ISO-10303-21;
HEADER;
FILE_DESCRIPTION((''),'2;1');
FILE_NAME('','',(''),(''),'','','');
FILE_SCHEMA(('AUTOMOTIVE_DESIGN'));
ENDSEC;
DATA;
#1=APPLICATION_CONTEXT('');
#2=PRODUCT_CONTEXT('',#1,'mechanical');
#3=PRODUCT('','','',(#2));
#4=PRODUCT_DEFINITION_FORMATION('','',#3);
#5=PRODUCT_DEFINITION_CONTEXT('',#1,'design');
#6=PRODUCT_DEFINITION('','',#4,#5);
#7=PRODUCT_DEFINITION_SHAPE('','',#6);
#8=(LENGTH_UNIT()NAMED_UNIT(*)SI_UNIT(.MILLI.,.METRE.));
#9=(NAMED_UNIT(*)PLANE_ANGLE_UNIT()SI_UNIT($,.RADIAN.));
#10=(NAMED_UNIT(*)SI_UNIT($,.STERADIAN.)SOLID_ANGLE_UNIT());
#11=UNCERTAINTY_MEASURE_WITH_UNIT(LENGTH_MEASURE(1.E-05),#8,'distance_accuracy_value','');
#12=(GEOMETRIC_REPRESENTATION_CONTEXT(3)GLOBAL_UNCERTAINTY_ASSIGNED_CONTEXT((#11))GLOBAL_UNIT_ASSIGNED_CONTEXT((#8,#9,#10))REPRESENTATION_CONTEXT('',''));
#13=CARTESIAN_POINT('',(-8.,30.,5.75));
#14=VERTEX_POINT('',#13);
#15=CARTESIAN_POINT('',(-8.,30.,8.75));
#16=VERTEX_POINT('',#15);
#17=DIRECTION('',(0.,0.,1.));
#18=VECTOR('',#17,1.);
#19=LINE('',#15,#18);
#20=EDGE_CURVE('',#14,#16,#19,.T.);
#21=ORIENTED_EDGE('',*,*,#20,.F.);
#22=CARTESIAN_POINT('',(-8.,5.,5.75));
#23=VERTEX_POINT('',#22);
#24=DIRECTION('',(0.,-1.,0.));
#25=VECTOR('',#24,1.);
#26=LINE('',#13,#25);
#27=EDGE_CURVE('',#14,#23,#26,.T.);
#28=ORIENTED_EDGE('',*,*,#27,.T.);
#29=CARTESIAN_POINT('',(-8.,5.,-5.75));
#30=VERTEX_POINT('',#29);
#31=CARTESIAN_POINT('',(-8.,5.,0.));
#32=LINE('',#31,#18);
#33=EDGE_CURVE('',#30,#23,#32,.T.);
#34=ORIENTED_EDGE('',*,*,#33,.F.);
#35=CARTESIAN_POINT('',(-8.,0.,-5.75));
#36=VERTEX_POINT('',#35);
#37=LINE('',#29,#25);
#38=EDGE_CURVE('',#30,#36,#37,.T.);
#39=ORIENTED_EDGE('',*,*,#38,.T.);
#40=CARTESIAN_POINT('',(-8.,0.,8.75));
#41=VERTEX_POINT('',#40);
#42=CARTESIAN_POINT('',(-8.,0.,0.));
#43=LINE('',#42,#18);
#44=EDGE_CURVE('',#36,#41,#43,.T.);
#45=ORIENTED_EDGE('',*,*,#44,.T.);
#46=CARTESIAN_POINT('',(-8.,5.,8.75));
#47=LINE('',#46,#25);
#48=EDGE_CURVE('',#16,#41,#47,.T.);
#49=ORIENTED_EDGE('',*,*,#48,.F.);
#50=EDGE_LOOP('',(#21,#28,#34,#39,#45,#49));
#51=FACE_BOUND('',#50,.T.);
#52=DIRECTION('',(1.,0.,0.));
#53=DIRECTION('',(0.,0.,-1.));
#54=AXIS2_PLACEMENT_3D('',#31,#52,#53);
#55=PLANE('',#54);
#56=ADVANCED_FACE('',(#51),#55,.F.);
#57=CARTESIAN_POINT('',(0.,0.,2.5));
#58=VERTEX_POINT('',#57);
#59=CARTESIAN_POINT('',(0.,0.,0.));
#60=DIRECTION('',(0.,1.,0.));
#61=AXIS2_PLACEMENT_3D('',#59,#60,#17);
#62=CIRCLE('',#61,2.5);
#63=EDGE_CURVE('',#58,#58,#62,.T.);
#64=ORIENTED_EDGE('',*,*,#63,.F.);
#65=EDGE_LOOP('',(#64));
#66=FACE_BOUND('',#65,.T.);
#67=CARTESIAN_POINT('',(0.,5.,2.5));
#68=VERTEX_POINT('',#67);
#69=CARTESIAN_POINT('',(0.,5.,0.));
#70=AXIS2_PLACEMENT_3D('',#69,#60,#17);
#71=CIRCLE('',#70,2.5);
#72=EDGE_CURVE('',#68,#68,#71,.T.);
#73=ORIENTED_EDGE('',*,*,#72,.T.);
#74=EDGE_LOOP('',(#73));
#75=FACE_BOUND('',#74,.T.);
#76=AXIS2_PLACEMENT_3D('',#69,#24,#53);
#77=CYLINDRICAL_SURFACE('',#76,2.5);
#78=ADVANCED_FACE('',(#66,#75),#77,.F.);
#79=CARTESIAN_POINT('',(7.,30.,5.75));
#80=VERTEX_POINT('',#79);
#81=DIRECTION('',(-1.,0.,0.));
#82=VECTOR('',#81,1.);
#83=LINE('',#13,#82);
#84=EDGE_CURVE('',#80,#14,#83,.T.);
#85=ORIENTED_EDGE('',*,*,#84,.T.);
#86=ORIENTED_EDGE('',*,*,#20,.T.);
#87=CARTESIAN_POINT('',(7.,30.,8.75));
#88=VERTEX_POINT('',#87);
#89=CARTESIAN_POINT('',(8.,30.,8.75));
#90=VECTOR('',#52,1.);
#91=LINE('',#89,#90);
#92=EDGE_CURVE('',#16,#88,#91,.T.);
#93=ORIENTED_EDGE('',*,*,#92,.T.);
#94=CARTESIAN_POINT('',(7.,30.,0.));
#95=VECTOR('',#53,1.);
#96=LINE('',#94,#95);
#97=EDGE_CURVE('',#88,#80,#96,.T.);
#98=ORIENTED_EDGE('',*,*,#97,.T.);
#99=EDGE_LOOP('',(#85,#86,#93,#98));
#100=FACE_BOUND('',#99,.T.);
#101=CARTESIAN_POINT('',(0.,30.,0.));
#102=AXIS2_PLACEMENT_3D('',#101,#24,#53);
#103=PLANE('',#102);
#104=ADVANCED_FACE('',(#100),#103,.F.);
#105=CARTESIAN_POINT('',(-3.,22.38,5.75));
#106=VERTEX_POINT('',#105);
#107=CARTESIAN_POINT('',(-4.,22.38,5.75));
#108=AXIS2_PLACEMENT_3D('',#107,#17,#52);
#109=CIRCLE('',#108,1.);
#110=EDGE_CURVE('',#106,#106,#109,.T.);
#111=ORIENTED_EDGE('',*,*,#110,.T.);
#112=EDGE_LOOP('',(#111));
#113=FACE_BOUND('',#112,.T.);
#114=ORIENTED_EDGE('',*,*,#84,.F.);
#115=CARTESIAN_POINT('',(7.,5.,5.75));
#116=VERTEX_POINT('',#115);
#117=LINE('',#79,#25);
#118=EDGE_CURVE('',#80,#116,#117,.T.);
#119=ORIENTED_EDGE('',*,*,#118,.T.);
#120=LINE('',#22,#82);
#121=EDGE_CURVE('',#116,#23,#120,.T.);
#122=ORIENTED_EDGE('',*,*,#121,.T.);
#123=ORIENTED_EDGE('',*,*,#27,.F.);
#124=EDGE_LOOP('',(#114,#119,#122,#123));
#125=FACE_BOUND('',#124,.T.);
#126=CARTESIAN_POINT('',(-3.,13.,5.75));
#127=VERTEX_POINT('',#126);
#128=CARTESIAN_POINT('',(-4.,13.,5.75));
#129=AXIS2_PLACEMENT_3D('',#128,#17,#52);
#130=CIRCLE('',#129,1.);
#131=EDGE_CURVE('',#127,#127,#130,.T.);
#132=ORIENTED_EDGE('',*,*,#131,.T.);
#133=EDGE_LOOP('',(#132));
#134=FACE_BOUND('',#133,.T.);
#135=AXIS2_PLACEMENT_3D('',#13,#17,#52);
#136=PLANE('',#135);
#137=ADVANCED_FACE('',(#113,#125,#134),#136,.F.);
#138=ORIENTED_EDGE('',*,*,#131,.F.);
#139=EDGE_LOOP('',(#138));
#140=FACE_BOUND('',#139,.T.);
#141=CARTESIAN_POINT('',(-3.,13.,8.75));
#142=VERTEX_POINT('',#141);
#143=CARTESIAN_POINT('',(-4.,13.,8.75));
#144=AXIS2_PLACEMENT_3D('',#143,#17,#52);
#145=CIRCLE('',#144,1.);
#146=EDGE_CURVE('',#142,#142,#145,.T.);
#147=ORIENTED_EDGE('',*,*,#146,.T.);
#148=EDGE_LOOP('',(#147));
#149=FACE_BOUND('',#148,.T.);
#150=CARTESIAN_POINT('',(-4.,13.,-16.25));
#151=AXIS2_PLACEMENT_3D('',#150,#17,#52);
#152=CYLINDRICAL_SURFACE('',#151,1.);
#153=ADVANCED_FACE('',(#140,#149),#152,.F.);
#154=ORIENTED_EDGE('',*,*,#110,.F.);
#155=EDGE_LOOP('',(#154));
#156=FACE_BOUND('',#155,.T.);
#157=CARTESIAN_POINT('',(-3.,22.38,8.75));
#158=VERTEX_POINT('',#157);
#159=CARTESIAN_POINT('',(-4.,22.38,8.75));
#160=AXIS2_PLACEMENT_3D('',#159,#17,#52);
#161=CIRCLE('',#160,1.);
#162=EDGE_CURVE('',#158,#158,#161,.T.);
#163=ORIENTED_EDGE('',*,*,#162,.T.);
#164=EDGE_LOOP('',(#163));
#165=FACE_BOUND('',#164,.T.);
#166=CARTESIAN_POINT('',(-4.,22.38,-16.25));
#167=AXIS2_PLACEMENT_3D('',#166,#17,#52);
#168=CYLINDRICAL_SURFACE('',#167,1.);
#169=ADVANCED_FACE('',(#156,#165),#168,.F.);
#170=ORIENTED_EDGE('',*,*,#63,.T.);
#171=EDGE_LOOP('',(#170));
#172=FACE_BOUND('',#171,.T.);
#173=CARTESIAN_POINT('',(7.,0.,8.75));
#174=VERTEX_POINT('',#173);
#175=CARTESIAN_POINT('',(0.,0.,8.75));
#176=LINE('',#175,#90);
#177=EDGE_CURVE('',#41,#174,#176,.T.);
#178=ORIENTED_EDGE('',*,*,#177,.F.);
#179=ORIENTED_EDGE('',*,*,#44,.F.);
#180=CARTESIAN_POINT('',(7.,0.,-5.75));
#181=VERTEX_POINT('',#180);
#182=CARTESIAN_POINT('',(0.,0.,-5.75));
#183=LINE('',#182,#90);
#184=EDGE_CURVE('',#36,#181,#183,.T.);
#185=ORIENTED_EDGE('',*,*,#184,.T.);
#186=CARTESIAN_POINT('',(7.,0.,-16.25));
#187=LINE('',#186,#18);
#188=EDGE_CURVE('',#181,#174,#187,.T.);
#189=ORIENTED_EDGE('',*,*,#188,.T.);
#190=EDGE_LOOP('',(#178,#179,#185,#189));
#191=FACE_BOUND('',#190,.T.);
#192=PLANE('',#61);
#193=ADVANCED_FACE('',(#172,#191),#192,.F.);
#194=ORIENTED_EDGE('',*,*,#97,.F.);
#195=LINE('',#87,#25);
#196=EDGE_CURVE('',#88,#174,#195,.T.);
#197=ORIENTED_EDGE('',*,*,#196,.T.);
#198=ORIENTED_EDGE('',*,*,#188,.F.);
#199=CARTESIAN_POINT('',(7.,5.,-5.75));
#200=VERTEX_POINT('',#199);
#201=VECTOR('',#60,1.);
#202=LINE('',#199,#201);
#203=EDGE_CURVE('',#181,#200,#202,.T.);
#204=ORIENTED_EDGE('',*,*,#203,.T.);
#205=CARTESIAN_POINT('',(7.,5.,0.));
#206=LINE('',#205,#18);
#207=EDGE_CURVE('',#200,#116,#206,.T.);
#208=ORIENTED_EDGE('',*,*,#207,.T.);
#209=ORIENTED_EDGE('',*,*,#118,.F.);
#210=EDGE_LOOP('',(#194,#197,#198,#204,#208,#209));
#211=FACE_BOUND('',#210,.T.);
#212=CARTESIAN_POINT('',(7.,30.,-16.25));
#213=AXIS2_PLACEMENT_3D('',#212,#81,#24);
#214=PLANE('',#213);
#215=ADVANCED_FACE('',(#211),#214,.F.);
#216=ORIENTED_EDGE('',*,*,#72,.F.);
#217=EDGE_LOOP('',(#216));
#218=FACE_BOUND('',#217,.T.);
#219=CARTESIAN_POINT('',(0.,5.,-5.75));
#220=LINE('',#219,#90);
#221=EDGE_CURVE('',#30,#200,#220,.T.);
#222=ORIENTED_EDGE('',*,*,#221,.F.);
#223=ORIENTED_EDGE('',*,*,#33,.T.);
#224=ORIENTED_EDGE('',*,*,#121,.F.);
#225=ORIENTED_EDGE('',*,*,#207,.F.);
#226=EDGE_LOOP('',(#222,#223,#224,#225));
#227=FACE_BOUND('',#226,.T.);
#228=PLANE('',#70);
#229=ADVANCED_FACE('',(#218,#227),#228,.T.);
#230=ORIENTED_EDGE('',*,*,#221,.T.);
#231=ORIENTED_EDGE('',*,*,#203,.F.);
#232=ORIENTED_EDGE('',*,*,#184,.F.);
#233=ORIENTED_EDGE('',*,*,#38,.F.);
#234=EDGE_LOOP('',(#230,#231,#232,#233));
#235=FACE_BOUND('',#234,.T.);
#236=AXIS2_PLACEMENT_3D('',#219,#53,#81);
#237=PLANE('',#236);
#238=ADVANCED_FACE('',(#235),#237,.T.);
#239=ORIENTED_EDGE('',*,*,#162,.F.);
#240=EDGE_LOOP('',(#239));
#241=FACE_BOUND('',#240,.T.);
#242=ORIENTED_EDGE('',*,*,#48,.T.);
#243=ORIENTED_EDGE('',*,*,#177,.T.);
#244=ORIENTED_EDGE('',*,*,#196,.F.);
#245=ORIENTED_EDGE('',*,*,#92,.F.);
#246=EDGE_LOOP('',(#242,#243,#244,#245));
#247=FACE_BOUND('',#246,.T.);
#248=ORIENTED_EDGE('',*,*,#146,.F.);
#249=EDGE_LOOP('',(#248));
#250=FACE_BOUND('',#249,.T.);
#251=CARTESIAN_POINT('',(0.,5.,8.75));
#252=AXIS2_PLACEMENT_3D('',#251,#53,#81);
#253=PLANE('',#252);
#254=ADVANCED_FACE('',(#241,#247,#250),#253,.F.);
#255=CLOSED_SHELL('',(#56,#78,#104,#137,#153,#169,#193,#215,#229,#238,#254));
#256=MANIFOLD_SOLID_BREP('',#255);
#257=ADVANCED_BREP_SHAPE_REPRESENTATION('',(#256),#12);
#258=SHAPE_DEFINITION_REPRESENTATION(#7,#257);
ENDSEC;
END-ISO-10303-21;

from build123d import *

# Parameters (mm, degrees)
CROQUIS1_W              = 16
CROQUIS1_H              = 11.5
CROQUIS1_R              = 2.5
CROQUIS1_H_2            = 3
SALIENTE_EXTRUIR1_DEPTH = 5
CROQUIS4_W              = 16
CROQUIS4_H              = 3
SALIENTE_EXTRUIR3_DEPTH = 25
CROQUIS6_R              = 1
CORTAR_EXTRUIR1_DEPTH   = 25
CROQUIS7_W              = 1
CROQUIS7_H              = 30
CORTAR_EXTRUIR2_DEPTH   = 25


with BuildPart() as part:
    # Croquis1 → Saliente-Extruir1 (new body)
    # profile 1 of 2: a face of its own
    with BuildSketch(Plane(origin=(0, 0, 0), x_dir=(1, 0, 0), z_dir=(0, 1, 0))):
        Rectangle(CROQUIS1_W, CROQUIS1_H)
        with Locations(Location((0, 0, 0), (0, 0, 270))):
            Circle(CROQUIS1_R, mode=Mode.SUBTRACT)
    # profile 2 of 2: a face of its own
    with BuildSketch(Plane(origin=(0, 0, 0), x_dir=(1, 0, 0), z_dir=(0, 1, 0))):
        with Locations((0, -7.25)):
            Rectangle(CROQUIS1_W, CROQUIS1_H_2)
    extrude(amount=SALIENTE_EXTRUIR1_DEPTH)

    # Croquis4 → Saliente-Extruir3 (add)
    with BuildSketch(Plane(origin=(0, 5, 0), x_dir=(1, 0, 0), z_dir=(0, 1, 0))):
        with Locations((0, -7.25)):
            Rectangle(CROQUIS4_W, CROQUIS4_H)
    extrude(amount=SALIENTE_EXTRUIR3_DEPTH)

    # Croquis6 → Cortar-Extruir1 (cut)
    with BuildSketch(Plane.XY.offset(8.75)):
        with Locations((-4, 22.38)):
            Circle(CROQUIS6_R)
        with Locations((-4, 13)):
            Circle(CROQUIS6_R)
    extrude(amount=-CORTAR_EXTRUIR1_DEPTH, mode=Mode.SUBTRACT)

    # Croquis7 → Cortar-Extruir2 (cut)
    with BuildSketch(Plane.XY.offset(8.75)):
        with Locations((7.5, 15)):
            Rectangle(CROQUIS7_W, CROQUIS7_H)
    extrude(amount=-CORTAR_EXTRUIR2_DEPTH, mode=Mode.SUBTRACT)


solid = part.part
